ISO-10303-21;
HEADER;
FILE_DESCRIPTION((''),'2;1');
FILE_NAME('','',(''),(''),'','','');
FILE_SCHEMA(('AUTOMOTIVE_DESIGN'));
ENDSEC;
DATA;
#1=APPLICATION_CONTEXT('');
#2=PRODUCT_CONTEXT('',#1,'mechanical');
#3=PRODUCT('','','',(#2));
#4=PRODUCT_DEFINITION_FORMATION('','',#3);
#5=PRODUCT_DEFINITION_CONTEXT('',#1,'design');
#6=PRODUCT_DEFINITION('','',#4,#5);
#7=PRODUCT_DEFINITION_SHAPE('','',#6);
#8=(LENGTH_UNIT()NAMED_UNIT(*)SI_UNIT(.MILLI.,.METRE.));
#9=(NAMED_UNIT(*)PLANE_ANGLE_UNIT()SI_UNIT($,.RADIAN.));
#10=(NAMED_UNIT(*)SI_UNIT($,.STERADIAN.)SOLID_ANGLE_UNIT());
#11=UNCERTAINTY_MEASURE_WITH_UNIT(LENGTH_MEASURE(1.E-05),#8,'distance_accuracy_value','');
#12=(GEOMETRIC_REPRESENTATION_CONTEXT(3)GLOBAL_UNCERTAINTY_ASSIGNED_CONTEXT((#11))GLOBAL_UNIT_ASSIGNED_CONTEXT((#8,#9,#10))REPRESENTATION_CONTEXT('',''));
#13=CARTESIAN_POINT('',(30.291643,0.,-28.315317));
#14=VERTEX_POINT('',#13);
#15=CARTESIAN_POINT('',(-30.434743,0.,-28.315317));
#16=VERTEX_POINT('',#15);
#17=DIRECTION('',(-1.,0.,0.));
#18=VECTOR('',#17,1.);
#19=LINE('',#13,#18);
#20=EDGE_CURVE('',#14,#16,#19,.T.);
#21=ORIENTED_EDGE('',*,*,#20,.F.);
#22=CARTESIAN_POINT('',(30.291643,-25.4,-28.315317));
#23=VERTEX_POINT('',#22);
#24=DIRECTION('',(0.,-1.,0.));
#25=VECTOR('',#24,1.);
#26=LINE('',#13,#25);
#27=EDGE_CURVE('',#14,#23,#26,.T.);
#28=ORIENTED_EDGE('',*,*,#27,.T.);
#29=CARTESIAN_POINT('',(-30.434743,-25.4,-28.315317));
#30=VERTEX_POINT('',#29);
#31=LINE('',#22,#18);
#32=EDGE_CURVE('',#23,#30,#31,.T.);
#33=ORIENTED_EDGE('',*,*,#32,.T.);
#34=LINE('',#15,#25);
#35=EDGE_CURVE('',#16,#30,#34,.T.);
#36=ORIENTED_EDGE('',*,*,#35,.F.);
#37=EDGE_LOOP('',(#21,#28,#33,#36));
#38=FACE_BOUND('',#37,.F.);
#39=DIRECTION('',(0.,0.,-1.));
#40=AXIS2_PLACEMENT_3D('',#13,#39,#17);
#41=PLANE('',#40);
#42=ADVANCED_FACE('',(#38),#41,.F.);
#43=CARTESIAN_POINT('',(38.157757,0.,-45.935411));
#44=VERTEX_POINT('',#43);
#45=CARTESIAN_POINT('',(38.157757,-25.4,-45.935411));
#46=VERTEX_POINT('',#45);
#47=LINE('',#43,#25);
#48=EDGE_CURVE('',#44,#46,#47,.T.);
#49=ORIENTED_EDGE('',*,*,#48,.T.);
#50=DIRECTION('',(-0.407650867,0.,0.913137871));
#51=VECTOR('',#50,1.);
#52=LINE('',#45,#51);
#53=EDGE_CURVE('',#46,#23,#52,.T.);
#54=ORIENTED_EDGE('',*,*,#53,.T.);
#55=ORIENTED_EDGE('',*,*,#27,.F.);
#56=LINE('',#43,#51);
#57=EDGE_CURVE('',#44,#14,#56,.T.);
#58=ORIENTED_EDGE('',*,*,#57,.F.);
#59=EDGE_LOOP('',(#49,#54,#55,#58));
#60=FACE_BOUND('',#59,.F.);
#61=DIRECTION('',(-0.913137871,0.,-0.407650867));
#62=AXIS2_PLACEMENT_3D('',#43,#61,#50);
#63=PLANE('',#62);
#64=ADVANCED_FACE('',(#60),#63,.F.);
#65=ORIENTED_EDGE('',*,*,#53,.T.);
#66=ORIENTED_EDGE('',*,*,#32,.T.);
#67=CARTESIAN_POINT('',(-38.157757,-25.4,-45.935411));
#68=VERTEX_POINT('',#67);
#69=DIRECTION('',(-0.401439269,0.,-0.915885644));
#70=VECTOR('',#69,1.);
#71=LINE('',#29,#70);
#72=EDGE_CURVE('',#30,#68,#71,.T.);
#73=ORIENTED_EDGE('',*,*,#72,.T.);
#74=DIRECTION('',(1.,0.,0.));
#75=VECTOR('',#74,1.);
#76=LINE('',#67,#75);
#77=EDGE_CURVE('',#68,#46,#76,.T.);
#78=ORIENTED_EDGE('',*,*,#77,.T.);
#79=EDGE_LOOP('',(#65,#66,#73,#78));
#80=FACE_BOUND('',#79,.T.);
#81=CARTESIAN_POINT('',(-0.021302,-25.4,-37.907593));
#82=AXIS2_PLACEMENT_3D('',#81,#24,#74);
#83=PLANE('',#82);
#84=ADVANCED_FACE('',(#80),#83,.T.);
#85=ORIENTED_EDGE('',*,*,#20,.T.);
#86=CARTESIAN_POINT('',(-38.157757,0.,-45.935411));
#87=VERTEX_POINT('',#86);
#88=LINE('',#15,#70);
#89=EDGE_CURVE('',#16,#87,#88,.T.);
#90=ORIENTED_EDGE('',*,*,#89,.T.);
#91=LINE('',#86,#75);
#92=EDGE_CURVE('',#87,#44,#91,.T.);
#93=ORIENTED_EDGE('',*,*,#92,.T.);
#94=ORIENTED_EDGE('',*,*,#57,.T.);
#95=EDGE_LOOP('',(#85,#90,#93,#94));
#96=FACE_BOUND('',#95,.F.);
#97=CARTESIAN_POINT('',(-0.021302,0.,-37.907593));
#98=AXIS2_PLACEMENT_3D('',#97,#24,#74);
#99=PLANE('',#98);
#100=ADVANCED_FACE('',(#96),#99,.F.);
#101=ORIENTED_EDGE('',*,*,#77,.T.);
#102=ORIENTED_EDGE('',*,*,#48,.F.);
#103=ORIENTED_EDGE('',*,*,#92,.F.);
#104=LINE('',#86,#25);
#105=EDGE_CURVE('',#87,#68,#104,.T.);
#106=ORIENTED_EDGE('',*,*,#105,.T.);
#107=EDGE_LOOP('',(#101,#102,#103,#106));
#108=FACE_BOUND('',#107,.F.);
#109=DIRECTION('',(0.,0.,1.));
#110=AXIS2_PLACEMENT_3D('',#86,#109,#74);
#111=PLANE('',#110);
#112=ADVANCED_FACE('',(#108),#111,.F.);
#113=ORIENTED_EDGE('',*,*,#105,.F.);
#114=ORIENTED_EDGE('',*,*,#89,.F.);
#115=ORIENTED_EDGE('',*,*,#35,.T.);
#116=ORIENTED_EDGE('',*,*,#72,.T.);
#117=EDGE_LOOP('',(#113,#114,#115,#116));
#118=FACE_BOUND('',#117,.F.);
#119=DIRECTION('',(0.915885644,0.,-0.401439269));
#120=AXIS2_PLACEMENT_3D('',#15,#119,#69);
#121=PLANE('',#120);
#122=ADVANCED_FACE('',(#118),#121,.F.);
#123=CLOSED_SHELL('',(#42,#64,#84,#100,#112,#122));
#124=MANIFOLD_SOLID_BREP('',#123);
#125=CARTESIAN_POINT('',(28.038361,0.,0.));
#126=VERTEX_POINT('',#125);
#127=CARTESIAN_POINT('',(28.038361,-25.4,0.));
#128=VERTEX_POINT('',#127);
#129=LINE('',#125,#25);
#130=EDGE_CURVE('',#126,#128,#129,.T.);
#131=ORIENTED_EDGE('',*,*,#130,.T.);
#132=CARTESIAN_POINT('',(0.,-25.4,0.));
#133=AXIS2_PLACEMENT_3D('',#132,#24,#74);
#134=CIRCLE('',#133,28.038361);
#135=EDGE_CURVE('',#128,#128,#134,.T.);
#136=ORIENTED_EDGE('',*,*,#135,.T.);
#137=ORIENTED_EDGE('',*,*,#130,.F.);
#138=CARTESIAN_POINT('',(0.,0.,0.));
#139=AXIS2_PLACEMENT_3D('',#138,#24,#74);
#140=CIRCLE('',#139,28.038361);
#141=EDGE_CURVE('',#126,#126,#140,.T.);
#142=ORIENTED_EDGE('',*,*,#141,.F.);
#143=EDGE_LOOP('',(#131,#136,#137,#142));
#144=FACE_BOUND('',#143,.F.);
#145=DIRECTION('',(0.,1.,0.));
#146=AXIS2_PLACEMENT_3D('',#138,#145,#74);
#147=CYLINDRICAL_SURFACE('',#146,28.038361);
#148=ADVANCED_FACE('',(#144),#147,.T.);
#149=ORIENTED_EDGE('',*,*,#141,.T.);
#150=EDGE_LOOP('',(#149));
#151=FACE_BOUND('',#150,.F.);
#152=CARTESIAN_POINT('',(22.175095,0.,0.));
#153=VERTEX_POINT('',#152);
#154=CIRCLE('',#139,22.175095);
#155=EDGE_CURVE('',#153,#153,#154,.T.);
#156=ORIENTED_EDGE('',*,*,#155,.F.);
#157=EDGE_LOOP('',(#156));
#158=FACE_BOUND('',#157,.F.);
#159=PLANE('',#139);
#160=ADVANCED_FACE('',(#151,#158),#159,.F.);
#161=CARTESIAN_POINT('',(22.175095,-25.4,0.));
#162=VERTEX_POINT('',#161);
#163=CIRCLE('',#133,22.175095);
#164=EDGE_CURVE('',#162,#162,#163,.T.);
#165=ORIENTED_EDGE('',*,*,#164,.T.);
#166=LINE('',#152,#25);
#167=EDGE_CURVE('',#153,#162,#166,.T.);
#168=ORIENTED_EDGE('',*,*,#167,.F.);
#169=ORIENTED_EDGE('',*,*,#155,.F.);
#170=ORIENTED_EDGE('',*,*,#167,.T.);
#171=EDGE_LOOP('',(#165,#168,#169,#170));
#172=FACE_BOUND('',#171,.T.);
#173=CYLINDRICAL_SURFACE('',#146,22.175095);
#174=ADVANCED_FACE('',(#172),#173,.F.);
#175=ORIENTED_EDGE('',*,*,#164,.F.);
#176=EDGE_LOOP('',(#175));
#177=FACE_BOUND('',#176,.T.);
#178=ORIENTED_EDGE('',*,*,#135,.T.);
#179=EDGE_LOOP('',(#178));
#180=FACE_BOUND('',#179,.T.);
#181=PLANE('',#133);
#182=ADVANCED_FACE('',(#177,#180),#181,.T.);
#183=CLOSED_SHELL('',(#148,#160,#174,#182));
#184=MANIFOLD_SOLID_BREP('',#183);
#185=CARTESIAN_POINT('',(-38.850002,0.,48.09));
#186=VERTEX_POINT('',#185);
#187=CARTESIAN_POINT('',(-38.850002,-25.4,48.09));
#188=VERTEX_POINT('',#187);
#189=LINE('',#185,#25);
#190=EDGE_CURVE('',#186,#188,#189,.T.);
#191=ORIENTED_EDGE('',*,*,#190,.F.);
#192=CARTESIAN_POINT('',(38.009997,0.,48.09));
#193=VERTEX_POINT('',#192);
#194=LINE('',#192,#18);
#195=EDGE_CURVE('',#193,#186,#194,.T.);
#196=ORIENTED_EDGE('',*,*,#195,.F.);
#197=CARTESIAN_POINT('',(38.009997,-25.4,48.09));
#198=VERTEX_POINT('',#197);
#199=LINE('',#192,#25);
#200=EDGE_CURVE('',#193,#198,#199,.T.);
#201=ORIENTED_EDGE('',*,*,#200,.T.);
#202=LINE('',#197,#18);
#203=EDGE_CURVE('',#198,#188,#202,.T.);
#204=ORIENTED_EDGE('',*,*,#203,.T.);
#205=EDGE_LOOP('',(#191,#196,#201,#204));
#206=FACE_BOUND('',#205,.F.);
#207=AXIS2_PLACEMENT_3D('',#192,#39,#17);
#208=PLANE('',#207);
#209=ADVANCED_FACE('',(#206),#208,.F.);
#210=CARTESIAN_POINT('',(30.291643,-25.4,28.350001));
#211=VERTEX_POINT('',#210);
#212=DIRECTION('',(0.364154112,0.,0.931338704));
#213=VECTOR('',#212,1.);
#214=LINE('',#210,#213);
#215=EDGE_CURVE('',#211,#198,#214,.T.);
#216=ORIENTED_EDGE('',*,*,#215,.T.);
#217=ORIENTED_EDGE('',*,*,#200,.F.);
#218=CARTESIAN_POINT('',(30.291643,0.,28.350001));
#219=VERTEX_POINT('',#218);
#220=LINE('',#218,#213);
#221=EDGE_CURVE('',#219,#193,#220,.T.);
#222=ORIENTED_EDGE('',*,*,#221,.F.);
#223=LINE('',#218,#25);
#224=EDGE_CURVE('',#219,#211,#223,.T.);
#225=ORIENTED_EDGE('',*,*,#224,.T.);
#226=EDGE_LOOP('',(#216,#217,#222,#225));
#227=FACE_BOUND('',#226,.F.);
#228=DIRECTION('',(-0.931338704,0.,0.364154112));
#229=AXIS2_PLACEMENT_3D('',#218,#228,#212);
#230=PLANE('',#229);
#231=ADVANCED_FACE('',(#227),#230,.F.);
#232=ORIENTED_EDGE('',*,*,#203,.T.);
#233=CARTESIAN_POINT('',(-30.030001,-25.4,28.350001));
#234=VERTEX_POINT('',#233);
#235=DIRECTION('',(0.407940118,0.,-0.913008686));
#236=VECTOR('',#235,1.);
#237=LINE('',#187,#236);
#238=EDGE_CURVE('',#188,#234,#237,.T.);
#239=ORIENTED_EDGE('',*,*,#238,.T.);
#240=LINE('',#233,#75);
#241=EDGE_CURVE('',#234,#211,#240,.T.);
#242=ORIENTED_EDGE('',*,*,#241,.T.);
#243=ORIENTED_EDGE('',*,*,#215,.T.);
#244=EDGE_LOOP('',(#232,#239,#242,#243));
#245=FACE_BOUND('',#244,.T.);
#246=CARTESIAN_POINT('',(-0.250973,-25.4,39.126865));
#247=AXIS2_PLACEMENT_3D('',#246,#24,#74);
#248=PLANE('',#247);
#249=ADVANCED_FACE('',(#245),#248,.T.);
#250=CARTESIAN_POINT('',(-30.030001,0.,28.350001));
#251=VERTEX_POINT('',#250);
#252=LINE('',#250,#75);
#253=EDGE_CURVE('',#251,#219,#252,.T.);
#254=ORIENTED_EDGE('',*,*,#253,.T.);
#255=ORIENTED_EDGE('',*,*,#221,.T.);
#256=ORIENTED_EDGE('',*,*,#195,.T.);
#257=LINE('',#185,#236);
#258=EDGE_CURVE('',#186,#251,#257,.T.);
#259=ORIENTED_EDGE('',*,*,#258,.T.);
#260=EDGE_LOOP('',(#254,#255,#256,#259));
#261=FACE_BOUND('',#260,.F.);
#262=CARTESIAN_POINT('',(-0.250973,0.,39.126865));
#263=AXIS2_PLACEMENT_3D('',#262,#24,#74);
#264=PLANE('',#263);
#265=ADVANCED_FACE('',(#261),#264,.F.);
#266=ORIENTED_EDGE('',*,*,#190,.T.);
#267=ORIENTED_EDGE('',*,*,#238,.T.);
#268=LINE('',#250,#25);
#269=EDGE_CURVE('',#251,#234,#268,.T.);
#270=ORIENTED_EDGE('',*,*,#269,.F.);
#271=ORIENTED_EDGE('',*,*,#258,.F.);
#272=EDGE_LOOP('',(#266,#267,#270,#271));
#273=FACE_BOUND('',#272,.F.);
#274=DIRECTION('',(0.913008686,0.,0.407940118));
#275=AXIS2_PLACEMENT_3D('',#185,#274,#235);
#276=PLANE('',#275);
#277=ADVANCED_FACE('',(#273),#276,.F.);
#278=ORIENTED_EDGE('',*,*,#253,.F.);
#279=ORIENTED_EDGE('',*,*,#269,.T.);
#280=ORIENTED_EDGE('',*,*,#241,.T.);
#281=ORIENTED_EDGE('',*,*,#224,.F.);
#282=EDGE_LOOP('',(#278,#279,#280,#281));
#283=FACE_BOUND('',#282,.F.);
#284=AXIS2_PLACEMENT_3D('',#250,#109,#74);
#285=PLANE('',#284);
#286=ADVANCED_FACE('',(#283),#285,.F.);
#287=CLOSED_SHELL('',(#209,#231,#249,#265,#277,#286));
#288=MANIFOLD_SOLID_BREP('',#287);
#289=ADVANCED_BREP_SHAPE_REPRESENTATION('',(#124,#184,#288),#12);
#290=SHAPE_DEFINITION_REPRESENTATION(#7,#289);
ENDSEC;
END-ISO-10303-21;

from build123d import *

# Parameters (mm, degrees)
F0_R     = 28.038361
F0_R_2   = 22.175095
F1_DEPTH = 25.4


with BuildPart() as f1:
    # F0 (on Front) → F1 (new body)
    with BuildSketch(Plane.XZ):
        Polygon((38.157757, -45.935411), (30.291643, -28.315317), (-30.434743, -28.315317), (-38.157757, -45.935411), align=None)
        Circle(F0_R)
        Circle(F0_R_2, mode=Mode.SUBTRACT)
        Polygon((-38.850002, 48.09), (-30.030001, 28.350001), (30.291643, 28.350001), (38.009997, 48.09), (34.230001, 48.09), (-30.030001, 48.09), (-35.070002, 48.09), align=None)
    extrude(amount=F1_DEPTH)


solid = f1.part
